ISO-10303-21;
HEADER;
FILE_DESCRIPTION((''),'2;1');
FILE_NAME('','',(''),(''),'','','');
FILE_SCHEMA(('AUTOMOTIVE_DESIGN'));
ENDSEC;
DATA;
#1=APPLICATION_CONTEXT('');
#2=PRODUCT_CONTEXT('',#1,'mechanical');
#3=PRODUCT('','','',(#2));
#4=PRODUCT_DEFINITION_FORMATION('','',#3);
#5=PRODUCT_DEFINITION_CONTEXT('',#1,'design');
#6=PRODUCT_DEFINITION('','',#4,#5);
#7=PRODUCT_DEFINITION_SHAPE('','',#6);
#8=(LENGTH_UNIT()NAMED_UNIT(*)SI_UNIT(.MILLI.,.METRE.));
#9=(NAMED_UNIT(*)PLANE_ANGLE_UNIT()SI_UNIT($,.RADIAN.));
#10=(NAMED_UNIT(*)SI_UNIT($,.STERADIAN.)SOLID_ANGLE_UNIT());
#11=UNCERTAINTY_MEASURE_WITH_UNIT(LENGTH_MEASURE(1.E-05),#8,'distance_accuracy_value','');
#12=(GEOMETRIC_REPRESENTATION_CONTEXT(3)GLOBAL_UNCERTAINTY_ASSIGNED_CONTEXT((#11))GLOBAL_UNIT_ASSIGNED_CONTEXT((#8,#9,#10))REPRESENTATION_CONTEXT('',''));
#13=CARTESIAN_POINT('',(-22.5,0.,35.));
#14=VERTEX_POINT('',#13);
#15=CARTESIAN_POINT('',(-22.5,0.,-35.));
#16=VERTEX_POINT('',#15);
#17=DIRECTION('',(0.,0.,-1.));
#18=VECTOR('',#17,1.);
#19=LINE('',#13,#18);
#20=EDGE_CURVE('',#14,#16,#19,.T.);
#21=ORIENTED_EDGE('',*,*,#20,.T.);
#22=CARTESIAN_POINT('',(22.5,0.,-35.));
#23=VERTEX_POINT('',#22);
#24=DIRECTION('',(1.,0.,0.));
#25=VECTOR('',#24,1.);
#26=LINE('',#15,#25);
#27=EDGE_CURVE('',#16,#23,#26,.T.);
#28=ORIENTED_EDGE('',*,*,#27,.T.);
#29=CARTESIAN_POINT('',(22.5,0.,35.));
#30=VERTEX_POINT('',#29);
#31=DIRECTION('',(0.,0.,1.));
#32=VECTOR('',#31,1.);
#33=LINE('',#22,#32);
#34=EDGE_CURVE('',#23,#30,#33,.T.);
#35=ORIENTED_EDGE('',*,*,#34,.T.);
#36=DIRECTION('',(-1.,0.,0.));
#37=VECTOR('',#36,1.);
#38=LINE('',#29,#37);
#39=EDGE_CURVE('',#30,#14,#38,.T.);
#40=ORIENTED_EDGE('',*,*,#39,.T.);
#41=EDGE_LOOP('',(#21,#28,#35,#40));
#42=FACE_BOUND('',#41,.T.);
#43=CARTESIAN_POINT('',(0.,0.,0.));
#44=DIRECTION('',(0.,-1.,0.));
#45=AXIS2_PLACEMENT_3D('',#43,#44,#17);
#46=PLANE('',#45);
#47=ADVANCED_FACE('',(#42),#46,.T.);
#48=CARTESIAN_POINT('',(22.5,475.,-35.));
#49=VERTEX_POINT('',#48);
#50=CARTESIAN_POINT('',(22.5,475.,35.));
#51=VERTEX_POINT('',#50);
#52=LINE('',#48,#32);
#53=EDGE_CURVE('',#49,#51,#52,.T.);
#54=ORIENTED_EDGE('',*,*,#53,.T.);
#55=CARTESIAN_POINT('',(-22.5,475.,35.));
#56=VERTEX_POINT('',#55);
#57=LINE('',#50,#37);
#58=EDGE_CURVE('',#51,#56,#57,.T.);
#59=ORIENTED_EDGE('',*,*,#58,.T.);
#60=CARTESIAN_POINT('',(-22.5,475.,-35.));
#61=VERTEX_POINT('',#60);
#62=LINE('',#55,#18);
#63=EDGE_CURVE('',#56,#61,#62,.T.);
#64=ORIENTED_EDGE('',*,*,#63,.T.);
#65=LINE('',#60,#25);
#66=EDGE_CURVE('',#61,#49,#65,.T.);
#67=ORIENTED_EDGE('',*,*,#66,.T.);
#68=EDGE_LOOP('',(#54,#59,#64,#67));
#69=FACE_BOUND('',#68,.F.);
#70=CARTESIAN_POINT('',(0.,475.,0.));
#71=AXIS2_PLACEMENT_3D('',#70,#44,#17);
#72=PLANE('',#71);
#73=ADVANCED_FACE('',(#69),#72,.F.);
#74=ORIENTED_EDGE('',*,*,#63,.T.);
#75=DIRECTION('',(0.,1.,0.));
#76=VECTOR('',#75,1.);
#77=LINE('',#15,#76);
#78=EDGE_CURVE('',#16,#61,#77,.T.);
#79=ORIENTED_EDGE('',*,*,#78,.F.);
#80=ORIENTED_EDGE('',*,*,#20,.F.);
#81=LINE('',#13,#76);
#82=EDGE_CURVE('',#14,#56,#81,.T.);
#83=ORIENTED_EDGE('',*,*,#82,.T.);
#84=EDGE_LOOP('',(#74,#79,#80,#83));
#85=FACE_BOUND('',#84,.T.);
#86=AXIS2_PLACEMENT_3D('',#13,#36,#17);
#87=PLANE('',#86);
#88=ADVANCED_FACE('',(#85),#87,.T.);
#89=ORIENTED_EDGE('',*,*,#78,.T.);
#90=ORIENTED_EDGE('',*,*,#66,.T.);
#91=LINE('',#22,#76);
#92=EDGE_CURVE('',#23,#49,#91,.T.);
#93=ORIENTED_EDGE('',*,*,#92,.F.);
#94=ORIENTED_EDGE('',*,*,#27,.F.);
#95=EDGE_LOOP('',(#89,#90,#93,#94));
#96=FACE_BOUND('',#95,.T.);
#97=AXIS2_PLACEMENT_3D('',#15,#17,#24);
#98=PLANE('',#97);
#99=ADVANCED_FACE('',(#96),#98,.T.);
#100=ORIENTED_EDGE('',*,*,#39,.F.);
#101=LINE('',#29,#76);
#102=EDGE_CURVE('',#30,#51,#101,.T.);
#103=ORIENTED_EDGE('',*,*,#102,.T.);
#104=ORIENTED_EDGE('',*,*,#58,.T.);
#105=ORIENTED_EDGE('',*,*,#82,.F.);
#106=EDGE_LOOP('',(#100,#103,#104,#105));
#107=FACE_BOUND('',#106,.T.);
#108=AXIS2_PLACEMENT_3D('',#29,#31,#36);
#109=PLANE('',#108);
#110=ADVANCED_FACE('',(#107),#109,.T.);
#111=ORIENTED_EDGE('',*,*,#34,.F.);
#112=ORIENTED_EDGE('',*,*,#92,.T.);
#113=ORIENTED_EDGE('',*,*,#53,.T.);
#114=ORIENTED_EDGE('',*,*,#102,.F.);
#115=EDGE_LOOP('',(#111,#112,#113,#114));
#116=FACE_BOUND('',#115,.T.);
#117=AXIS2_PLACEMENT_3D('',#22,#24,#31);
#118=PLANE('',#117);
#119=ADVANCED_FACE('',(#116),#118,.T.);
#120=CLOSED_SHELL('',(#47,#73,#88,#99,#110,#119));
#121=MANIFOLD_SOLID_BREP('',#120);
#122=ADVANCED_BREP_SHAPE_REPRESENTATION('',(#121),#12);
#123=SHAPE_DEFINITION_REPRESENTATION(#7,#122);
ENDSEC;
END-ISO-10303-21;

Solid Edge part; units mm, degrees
sketch "Sketch1" plane through (0, 0, 0) normal (0, -1, 0) x (1, 0, 0)
  line L0 (-22.5, -35) -> (22.5, -35)
  line L1 (22.5, -35) -> (22.5, 35)
  line L2 (22.5, 35) -> (-22.5, 35)
  line L3 (-22.5, 35) -> (-22.5, -35)
extrude "Protrusion1" add sketch "Sketch1" against normal blind 475
properties material "Wood, Pine"
